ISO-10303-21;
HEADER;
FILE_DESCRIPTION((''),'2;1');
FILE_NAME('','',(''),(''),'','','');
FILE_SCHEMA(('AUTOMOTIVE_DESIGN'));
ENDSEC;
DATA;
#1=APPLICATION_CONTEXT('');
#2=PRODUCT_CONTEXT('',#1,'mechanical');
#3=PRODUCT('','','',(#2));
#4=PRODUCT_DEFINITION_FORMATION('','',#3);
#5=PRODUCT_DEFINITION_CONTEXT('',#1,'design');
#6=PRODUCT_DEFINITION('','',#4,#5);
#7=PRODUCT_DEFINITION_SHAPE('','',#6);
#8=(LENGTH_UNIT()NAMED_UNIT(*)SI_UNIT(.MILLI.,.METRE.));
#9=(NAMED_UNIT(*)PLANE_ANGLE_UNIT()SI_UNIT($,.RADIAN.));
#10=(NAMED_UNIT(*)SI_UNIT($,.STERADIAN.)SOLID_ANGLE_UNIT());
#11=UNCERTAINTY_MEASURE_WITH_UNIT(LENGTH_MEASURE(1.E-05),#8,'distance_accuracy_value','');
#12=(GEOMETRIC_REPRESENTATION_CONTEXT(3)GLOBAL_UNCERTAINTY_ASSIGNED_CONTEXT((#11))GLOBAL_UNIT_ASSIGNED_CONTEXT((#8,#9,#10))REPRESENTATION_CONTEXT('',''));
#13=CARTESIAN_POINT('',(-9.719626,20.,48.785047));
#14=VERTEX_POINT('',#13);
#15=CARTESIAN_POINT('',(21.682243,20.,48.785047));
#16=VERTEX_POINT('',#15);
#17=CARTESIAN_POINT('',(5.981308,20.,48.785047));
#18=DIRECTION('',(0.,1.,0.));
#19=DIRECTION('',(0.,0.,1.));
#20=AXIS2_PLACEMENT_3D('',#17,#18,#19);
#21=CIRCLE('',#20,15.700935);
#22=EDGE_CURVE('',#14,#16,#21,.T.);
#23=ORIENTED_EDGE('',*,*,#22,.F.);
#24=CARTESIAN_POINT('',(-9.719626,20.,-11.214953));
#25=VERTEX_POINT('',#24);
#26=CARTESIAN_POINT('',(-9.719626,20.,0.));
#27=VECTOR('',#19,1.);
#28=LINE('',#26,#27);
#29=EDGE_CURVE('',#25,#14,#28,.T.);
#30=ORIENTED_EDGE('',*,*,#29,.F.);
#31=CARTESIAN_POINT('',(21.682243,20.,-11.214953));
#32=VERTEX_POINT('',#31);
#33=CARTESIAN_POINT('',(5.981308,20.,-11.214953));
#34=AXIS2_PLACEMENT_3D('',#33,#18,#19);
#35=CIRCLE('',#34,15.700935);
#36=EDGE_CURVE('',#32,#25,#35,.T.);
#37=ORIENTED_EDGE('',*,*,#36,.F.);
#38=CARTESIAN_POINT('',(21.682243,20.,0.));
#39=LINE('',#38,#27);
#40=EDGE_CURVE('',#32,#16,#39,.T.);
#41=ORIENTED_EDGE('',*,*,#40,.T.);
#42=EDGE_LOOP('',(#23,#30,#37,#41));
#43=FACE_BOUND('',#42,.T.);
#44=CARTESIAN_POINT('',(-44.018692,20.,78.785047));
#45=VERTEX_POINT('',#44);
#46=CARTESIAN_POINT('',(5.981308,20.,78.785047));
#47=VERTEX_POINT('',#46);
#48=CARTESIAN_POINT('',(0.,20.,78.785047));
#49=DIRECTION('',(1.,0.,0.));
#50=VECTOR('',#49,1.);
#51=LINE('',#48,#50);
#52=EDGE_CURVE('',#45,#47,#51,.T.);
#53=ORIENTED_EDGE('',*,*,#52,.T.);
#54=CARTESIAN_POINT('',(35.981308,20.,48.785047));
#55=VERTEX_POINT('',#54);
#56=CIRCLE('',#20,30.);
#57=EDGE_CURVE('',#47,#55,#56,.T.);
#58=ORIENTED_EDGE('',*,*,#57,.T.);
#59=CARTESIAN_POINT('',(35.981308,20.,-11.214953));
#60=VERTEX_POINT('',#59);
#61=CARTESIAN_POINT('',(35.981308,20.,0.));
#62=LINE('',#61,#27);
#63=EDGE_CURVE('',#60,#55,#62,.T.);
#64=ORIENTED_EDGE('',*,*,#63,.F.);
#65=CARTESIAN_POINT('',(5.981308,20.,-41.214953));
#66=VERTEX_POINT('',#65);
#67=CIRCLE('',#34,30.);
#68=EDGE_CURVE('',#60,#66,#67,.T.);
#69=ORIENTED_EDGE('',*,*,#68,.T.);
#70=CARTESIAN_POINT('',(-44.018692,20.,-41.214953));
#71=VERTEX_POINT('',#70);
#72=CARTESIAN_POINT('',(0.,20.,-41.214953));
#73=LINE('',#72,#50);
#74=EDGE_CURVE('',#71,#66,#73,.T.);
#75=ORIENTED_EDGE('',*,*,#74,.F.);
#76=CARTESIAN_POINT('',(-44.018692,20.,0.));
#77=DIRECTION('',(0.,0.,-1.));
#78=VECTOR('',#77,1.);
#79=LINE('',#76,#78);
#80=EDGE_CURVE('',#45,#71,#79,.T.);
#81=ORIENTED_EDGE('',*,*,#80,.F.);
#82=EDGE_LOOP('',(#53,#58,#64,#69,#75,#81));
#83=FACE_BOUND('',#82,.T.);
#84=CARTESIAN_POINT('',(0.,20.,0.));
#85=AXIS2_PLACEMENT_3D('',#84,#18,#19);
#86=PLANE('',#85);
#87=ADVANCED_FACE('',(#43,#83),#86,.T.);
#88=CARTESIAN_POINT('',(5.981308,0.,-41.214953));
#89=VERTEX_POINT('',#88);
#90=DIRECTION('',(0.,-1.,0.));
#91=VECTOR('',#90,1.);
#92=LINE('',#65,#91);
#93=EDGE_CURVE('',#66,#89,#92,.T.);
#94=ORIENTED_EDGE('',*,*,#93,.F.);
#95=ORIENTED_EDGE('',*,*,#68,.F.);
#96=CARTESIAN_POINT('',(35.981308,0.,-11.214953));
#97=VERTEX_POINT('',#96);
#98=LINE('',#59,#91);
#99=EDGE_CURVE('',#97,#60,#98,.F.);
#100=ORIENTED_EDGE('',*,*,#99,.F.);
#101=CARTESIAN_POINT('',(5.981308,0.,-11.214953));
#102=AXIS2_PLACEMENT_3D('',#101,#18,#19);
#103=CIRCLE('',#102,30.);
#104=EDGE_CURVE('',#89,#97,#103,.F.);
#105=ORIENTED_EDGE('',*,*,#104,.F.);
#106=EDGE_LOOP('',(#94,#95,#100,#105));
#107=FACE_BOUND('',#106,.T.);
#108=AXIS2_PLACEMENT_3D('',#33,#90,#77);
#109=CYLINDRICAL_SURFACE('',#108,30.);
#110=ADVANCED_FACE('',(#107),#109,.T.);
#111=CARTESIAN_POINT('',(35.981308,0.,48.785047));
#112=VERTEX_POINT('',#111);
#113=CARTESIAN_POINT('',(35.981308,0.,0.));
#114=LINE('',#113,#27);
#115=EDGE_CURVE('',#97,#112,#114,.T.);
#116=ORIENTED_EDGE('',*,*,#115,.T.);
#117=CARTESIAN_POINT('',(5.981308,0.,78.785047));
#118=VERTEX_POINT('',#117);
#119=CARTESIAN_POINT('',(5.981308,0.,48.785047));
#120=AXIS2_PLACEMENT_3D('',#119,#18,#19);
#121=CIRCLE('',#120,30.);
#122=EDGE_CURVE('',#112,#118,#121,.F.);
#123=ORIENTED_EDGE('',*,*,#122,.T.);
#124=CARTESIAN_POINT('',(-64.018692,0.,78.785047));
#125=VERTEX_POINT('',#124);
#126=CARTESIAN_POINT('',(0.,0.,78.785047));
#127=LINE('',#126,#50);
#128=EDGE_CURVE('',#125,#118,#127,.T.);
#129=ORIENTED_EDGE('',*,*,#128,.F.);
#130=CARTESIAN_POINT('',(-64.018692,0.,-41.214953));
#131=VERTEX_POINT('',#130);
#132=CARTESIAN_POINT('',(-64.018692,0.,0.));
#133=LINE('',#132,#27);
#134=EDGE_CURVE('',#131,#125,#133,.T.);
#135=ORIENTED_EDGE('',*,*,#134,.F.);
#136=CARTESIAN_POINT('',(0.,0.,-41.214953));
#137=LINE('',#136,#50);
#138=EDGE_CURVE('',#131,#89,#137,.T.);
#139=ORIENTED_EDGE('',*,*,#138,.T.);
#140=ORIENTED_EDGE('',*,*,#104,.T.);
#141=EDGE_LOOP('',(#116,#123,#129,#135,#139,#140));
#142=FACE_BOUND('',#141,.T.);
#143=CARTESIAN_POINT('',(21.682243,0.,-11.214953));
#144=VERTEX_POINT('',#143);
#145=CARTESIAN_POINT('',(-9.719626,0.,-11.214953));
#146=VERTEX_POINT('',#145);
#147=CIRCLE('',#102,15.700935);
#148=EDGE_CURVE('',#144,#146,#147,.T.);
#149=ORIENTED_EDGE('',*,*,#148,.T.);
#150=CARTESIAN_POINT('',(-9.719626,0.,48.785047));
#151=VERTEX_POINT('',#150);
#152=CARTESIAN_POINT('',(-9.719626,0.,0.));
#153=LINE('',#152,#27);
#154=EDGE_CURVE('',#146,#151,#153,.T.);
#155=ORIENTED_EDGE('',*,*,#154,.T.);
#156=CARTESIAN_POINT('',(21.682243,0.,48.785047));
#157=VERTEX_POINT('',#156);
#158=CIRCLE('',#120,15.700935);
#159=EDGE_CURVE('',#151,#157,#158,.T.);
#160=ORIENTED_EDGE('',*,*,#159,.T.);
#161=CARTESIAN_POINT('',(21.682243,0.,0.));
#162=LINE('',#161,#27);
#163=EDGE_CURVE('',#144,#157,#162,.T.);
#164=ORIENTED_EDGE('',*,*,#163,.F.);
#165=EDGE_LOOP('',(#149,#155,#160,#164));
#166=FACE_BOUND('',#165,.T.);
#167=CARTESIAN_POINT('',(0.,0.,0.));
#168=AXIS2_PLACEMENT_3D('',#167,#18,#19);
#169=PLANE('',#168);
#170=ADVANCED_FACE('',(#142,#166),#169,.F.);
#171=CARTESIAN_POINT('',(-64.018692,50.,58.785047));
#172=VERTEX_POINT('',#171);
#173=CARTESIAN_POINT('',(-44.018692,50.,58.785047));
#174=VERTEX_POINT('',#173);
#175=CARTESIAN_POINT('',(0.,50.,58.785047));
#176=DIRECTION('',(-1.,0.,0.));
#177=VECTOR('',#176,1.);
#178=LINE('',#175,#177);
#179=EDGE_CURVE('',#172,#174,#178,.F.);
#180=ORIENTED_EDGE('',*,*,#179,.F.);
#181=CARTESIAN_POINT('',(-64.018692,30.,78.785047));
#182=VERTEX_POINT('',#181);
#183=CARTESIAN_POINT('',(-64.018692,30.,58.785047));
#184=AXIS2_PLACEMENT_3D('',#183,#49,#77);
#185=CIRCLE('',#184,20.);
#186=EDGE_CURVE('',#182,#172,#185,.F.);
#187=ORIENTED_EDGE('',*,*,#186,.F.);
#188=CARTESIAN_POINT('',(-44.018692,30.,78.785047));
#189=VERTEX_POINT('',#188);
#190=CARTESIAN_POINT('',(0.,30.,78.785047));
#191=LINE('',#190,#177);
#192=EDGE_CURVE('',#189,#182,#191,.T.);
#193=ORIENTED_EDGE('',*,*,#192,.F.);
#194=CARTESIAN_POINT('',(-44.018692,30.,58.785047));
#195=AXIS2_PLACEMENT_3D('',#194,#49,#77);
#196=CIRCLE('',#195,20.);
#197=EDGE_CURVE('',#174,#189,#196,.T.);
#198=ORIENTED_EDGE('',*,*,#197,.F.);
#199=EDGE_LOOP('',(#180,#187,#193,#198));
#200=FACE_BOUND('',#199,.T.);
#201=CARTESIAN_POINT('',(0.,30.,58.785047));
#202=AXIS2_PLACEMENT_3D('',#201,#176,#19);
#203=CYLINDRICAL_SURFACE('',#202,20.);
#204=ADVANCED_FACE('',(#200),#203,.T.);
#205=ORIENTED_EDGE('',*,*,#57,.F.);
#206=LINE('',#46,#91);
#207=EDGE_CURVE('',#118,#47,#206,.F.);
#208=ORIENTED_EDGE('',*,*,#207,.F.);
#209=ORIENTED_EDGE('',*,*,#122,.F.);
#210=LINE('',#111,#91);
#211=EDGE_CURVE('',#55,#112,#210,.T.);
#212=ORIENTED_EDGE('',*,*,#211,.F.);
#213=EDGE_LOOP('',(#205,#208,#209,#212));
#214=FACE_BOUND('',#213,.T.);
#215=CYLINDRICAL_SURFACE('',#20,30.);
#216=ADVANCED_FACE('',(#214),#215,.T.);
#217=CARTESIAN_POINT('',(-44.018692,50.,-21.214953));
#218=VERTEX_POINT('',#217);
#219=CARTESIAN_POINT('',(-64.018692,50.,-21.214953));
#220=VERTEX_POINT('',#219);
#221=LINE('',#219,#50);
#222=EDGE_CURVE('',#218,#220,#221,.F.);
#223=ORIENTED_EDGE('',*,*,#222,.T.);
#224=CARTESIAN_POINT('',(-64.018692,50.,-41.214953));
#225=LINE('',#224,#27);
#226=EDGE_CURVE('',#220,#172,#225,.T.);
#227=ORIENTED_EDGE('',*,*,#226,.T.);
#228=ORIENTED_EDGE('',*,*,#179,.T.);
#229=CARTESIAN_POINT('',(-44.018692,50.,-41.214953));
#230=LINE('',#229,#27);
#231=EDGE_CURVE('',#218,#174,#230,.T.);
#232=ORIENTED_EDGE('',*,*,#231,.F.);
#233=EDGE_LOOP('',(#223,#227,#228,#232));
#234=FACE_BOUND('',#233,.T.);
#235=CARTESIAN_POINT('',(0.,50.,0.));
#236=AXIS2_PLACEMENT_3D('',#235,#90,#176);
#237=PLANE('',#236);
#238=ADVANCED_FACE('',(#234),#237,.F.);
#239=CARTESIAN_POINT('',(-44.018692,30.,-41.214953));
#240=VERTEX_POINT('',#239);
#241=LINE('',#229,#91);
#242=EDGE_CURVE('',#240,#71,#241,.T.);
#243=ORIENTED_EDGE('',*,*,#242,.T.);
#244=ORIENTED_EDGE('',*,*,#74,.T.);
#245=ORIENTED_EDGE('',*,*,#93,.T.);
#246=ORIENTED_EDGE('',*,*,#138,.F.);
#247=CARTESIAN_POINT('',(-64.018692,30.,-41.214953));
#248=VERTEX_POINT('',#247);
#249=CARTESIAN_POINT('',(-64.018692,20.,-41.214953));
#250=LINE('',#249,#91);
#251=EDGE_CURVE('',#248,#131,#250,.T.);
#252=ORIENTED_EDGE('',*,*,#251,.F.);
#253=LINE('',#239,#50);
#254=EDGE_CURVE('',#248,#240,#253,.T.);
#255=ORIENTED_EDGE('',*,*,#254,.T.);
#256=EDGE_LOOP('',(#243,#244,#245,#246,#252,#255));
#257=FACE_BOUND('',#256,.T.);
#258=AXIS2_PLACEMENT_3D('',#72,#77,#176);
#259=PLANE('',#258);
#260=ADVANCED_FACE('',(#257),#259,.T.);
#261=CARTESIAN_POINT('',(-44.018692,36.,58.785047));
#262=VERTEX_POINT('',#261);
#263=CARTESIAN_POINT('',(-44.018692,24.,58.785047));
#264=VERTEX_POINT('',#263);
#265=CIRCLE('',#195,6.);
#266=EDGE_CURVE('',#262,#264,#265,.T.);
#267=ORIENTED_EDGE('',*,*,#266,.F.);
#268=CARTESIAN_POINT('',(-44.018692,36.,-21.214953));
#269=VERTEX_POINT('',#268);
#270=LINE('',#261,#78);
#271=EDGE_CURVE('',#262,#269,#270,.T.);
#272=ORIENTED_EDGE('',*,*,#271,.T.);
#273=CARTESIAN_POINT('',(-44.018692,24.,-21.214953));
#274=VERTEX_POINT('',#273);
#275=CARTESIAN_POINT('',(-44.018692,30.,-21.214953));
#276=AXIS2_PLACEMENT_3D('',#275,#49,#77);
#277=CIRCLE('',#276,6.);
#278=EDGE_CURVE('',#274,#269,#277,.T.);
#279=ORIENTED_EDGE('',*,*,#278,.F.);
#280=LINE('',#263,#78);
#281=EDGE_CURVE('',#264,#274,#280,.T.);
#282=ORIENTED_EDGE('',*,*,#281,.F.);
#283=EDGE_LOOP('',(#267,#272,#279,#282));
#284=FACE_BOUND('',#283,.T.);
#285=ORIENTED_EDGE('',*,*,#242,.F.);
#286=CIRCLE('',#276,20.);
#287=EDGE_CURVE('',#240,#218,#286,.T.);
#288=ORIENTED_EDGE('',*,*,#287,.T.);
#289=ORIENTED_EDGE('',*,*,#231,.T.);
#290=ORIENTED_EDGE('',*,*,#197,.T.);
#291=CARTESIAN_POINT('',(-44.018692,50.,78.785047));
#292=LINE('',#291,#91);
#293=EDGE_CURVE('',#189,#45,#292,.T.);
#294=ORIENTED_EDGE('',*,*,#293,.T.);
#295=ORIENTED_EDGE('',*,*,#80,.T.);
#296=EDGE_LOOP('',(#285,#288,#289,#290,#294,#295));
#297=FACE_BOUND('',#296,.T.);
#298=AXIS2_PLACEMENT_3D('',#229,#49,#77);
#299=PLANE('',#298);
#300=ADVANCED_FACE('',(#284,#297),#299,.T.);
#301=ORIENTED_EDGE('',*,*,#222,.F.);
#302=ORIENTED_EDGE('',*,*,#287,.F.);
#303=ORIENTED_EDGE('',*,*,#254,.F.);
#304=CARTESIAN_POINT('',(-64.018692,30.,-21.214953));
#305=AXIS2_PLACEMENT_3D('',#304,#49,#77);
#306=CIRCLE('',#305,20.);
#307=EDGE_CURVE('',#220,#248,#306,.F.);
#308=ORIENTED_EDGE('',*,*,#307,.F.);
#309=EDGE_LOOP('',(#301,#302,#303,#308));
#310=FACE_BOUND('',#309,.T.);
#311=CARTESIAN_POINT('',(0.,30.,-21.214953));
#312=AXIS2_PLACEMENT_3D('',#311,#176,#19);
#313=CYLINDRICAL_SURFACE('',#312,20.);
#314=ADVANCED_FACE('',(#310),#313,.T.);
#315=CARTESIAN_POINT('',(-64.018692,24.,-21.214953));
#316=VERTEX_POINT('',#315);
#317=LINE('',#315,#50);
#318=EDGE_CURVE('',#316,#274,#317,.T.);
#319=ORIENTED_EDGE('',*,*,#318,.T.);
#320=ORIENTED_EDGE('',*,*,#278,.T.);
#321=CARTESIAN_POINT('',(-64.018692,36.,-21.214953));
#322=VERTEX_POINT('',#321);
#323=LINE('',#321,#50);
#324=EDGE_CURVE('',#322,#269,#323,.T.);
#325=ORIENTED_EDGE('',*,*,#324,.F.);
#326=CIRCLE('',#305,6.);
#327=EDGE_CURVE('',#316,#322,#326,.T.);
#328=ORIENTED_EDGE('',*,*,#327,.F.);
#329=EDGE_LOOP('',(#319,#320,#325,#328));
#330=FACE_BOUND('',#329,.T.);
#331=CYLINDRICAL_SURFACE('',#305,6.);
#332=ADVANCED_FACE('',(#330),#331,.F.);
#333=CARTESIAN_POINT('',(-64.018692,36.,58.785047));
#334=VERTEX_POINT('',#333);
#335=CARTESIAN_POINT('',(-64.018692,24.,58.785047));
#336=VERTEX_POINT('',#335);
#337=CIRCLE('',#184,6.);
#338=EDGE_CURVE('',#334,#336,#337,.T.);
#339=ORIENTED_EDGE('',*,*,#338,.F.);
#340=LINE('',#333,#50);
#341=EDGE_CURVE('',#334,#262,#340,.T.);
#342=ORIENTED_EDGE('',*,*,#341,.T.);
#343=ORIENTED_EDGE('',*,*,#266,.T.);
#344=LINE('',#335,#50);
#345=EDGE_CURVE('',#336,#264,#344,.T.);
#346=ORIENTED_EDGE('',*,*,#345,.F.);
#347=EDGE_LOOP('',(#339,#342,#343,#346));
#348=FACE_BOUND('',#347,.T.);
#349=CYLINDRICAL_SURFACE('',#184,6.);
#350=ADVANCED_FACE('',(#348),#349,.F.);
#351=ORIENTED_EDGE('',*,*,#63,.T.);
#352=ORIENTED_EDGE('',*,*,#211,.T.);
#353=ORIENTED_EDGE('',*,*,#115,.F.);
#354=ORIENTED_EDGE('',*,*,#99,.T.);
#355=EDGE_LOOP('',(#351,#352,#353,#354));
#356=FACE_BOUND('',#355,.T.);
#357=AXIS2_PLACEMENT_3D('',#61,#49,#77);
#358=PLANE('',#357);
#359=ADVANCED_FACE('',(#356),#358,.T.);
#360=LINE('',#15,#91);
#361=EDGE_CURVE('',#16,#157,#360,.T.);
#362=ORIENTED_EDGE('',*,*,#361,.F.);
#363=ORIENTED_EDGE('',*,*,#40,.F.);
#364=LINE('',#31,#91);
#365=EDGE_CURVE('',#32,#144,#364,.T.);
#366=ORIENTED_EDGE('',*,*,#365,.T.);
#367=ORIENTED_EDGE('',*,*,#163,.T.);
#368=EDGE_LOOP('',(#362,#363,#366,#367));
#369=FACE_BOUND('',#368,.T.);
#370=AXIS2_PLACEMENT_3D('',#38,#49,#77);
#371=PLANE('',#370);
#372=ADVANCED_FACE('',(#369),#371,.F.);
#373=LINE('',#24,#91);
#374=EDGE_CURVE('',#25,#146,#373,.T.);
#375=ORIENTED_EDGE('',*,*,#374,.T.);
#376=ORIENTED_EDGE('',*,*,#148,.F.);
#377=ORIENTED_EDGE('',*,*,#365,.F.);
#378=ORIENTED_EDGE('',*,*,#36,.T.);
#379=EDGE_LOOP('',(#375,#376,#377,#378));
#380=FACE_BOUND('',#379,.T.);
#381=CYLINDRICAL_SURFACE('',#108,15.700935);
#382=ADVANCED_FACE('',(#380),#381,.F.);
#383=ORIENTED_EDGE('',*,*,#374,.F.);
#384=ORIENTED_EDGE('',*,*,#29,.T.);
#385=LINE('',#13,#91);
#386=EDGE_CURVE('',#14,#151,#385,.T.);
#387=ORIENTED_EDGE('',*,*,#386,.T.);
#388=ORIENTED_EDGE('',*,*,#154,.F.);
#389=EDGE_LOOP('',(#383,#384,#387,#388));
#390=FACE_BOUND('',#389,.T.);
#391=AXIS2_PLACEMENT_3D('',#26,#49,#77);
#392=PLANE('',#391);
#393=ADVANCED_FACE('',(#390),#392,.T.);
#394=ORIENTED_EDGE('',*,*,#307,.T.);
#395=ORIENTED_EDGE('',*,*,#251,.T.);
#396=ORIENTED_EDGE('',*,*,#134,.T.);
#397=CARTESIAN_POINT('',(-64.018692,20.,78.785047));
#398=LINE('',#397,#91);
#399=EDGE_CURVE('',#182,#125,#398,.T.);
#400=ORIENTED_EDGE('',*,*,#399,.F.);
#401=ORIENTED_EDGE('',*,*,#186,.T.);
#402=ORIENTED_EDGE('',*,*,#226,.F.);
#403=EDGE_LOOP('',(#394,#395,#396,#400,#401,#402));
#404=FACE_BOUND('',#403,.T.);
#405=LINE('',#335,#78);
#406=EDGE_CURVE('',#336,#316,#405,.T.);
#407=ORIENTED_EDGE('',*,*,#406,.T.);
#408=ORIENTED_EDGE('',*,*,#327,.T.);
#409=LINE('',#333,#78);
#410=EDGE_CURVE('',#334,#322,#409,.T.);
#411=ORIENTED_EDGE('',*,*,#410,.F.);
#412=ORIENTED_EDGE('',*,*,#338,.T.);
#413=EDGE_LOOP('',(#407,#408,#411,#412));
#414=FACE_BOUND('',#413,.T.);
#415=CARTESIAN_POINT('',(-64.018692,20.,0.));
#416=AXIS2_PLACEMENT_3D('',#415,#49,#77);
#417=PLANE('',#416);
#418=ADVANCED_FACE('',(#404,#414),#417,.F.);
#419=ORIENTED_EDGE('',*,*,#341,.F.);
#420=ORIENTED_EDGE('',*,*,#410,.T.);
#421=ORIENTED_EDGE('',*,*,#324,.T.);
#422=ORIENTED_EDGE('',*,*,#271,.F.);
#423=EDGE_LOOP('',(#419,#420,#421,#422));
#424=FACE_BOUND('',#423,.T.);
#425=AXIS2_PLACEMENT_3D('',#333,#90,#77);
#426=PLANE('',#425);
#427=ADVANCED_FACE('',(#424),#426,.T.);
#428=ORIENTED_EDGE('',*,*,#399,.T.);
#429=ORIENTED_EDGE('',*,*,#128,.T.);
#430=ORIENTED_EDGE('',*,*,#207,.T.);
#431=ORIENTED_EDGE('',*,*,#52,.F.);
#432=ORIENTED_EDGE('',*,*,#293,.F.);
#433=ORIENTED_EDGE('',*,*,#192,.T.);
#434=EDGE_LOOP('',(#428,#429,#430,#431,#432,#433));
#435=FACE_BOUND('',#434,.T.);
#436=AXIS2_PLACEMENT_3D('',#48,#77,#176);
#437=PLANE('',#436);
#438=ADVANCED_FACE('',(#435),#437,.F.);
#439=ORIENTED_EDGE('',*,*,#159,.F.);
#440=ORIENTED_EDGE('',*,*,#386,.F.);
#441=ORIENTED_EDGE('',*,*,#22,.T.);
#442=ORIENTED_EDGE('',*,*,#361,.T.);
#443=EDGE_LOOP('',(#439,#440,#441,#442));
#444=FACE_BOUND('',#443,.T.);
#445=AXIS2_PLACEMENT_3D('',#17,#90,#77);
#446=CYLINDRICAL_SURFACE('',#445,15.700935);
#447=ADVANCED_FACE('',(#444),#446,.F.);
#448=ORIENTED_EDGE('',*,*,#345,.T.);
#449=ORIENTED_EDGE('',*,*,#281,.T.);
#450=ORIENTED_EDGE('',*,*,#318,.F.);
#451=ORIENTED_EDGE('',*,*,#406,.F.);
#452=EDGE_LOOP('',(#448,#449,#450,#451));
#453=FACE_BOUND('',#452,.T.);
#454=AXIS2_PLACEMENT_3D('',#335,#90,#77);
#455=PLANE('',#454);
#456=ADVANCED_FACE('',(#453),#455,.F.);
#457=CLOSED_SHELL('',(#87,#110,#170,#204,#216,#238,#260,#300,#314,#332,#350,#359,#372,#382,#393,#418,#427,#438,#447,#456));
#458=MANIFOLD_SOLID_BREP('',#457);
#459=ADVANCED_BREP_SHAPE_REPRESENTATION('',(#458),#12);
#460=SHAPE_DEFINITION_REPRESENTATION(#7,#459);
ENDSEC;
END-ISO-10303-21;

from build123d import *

# Parameters (mm, degrees)
IZIM2_W                     = 80
IZIM2_H                     = 120
IZIM2_W_2                   = 20
Y_KSEKLIK_EKSTR_ZYON3_DEPTH = 20
RADYUS1_R                   = 30
IZIM3_W                     = 20
IZIM3_H                     = 120
EKSTR_ZYON_NCE1_DEPTH       = 50
RADYUS2_R                   = 20
KES_EKSTR_ZYON3_DEPTH       = 20


with BuildPart() as part:
    # Çizim2 → Yükseklik-Ekstrüzyon3 (new body)
    # profile 1 of 2: a face of its own
    with BuildSketch(Plane(origin=(0, 0, 0), x_dir=(1, 0, 0), z_dir=(0, 1, 0))):
        with Locations((-4.018691589, -18.785046729)):
            Rectangle(IZIM2_W, IZIM2_H)
        with BuildLine():
            ThreePointArc((-9.719626168, 11.214953271), (5.981308411, 26.91588785), (21.682242991, 11.214953271))
            Line((21.682242991, 11.214953271), (21.682242991, -48.785046729))
            ThreePointArc((21.682242991, -48.785046729), (5.981308411, -64.485981308), (-9.719626168, -48.785046729))
            Line((-9.719626168, -48.785046729), (-9.719626168, 11.214953271))
        make_face(mode=Mode.SUBTRACT)
    # profile 2 of 2: a face of its own
    with BuildSketch(Plane(origin=(0, 0, 0), x_dir=(1, 0, 0), z_dir=(0, 1, 0))):
        with Locations((-54.018691589, -18.785046729)):
            Rectangle(IZIM2_W_2, IZIM2_H)
    extrude(amount=Y_KSEKLIK_EKSTR_ZYON3_DEPTH)

    # Radyus1
    radyus1_edges = [part.edges().sort_by_distance(p)[0] for p in [
        (35.981308411, 10, -41.214953271),
        (35.981308411, 10, 78.785046729),
    ]]
    fillet(radyus1_edges, radius=RADYUS1_R)

    # Çizim3 → Ekstrüzyon-İnce1 (add)
    with BuildSketch(Plane(origin=(0, 0, 0), x_dir=(1, 0, 0), z_dir=(0, 1, 0))):
        with Locations((-54.018691589, -18.785046729)):
            Rectangle(IZIM3_W, IZIM3_H)
    extrude(amount=EKSTR_ZYON_NCE1_DEPTH)

    # Radyus2
    radyus2_edges = [part.edges().sort_by_distance(p)[0] for p in [
        (-54.018691589, 50, 78.785046729),
        (-54.018691589, 50, -41.214953271),
    ]]
    fillet(radyus2_edges, radius=RADYUS2_R)

    # Çizim6 → Kes-Ekstrüzyon3 (cut)
    with BuildSketch(Plane(origin=(-44.018691589, 0, 0), x_dir=(0, 0, -1), z_dir=(1, 0, 0))):
        with BuildLine():
            Line((-58.785046729, 36), (21.214953271, 36))
            ThreePointArc((21.214953271, 36), (27.214953271, 30), (21.214953271, 24))
            Line((21.214953271, 24), (-58.785046729, 24))
            ThreePointArc((-58.785046729, 24), (-64.785046729, 30), (-58.785046729, 36))
        make_face()
    extrude(amount=-KES_EKSTR_ZYON3_DEPTH, mode=Mode.SUBTRACT)


solid = part.part
